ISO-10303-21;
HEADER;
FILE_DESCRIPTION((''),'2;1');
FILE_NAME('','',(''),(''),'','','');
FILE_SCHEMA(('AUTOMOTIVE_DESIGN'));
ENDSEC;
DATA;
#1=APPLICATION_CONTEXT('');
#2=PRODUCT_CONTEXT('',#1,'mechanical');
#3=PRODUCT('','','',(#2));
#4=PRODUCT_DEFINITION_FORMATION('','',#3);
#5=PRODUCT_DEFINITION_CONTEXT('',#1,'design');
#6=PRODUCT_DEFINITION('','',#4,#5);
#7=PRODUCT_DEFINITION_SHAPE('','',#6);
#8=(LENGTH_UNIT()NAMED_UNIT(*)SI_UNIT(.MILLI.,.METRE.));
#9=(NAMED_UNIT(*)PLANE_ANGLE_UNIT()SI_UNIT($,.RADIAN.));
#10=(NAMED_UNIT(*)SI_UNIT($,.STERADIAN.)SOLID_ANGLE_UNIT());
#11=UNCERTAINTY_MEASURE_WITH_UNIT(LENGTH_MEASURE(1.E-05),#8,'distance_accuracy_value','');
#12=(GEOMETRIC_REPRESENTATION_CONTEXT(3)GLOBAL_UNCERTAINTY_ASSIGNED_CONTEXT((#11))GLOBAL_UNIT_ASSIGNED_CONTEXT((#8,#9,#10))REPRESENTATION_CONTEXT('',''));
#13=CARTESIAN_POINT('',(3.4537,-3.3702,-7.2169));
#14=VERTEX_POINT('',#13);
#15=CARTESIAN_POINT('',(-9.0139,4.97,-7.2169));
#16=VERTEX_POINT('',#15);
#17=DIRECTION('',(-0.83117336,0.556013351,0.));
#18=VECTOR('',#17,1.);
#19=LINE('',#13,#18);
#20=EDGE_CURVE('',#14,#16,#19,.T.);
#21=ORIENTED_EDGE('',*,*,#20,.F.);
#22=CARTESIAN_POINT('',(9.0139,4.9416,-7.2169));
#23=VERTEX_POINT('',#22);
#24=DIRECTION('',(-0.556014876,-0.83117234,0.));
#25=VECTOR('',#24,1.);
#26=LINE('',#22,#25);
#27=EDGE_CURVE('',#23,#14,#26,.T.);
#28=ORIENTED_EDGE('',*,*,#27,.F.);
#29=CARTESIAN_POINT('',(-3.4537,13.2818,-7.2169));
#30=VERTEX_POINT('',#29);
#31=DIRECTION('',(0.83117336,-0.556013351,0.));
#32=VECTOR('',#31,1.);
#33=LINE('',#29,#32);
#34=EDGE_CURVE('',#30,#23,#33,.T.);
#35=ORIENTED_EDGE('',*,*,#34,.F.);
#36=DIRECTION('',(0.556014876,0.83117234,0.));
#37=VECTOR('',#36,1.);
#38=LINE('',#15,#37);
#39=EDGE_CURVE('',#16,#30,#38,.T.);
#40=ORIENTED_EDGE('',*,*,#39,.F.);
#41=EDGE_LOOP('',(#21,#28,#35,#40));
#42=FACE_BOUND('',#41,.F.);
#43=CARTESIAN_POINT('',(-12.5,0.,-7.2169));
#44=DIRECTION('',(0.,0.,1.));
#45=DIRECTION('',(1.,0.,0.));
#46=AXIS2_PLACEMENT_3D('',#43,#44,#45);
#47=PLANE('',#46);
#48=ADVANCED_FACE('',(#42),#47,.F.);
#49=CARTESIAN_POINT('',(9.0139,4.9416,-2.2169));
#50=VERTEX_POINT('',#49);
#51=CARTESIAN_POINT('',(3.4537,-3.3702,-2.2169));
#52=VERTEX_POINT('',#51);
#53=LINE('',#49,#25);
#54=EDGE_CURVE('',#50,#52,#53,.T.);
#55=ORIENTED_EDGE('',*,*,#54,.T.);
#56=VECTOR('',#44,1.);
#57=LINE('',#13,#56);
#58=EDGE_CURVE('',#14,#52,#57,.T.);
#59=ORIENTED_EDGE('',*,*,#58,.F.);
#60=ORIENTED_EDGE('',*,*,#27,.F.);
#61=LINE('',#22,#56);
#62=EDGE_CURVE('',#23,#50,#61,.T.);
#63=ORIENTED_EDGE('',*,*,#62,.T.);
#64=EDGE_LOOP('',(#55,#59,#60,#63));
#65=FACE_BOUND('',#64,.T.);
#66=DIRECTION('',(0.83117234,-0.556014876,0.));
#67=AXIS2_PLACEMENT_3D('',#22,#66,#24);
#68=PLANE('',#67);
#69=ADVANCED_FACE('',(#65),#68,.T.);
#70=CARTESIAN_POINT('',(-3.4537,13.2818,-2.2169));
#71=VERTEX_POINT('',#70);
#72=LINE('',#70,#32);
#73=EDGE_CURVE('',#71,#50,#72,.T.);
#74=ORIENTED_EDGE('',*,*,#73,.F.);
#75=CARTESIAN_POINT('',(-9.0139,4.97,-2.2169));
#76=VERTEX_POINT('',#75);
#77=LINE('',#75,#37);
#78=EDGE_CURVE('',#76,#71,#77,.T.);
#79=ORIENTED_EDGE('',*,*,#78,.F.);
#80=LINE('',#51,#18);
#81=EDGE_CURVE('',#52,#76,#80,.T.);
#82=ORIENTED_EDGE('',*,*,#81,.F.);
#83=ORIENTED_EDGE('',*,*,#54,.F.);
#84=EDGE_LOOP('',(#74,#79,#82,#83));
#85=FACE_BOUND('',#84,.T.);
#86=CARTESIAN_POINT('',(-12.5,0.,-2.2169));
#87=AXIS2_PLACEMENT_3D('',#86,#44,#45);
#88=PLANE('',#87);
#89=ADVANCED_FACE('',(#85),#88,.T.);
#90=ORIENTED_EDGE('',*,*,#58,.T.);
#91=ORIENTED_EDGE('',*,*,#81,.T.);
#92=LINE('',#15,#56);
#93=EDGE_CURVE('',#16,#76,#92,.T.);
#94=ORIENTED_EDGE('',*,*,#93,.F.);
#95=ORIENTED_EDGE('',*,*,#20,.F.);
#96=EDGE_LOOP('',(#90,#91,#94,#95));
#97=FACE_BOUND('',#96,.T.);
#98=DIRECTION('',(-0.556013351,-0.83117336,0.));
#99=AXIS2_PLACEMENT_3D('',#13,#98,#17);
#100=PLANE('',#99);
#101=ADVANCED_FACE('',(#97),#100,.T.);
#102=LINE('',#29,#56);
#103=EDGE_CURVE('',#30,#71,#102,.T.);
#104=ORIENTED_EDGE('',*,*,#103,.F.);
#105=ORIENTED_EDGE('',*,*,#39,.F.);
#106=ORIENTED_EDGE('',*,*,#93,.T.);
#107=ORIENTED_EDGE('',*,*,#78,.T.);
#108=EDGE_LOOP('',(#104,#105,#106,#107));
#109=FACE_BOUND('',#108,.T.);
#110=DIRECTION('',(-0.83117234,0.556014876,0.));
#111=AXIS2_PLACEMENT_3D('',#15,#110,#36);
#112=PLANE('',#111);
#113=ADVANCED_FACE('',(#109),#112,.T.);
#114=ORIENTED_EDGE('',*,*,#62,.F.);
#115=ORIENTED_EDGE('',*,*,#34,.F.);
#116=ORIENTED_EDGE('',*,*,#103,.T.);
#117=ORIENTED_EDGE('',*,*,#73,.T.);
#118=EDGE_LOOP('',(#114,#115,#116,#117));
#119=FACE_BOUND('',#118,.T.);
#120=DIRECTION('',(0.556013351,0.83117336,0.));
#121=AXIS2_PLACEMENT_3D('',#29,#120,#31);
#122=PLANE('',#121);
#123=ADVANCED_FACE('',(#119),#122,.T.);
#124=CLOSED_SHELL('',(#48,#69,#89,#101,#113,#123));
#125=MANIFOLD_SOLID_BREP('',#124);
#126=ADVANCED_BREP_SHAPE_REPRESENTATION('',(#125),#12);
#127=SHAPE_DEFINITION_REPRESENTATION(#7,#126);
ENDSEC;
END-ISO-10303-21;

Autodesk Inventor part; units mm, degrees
ref_plane "YZ Plane" through (0, 0, 0) normal (1, 0, 0) x (0, 1, 0)
ref_plane "XY Plane" through (0, 0, 0) normal (0, 0, 1) x (1, 0, 0)
sketch "Sketch1" plane through (0, 0, 0) normal (0, 1, 0) x (-1, 0, 0)
  line L0 (0, 14.4338) -> (12.5, -7.2169)
  line L1 (12.5, -7.2169) -> (-12.5, -7.2169)
  line L2 (-12.5, -7.2169) -> (0, 14.4338)
  point P0 (0, 0)
  point P1 (0, 0)
  dimension "d7" = 25
ref_plane "Work Plane1" through (0, 0, 14.4338) normal (0.866, 0, -0.5) x (-0.5, 0, -0.866)
ref_plane "Work Plane2" through (12.5, 0, -7.2169) normal (-0.866, 0, -0.5) x (-0.5, 0, 0.866)
ref_plane "Work Plane3" through (-12.5, 0, -7.2169) normal (0, 0, 1) x (1, 0, 0)
sketch "Sketch2" plane through (-12.5, 0, -7.2169) normal (0, 0, 1) x (1, 0, 0)
  line L0 (15.9537, -3.3702) -> (3.4861, 4.97)
  line L1 (3.4861, 4.97) -> (9.0463, 13.2818)
  line L2 (9.0463, 13.2818) -> (21.5139, 4.9416)
  line L3 (21.5139, 4.9416) -> (15.9537, -3.3702)
  line L4 (15.9537, -3.3702) -> (9.0463, 13.2818) construction
  line L5 (3.4861, 4.97) -> (21.5139, 4.9416) construction
  point P0 (12.5, 0)
  point P1 (12.5, 4.9558)
  point P2 (12.5, 4.9558)
  dimension "d3" = 15
  dimension "d4" = 10
extrude "Extrusion1" add sketch "Sketch2" along normal blind 5
properties part number "fit_test"
